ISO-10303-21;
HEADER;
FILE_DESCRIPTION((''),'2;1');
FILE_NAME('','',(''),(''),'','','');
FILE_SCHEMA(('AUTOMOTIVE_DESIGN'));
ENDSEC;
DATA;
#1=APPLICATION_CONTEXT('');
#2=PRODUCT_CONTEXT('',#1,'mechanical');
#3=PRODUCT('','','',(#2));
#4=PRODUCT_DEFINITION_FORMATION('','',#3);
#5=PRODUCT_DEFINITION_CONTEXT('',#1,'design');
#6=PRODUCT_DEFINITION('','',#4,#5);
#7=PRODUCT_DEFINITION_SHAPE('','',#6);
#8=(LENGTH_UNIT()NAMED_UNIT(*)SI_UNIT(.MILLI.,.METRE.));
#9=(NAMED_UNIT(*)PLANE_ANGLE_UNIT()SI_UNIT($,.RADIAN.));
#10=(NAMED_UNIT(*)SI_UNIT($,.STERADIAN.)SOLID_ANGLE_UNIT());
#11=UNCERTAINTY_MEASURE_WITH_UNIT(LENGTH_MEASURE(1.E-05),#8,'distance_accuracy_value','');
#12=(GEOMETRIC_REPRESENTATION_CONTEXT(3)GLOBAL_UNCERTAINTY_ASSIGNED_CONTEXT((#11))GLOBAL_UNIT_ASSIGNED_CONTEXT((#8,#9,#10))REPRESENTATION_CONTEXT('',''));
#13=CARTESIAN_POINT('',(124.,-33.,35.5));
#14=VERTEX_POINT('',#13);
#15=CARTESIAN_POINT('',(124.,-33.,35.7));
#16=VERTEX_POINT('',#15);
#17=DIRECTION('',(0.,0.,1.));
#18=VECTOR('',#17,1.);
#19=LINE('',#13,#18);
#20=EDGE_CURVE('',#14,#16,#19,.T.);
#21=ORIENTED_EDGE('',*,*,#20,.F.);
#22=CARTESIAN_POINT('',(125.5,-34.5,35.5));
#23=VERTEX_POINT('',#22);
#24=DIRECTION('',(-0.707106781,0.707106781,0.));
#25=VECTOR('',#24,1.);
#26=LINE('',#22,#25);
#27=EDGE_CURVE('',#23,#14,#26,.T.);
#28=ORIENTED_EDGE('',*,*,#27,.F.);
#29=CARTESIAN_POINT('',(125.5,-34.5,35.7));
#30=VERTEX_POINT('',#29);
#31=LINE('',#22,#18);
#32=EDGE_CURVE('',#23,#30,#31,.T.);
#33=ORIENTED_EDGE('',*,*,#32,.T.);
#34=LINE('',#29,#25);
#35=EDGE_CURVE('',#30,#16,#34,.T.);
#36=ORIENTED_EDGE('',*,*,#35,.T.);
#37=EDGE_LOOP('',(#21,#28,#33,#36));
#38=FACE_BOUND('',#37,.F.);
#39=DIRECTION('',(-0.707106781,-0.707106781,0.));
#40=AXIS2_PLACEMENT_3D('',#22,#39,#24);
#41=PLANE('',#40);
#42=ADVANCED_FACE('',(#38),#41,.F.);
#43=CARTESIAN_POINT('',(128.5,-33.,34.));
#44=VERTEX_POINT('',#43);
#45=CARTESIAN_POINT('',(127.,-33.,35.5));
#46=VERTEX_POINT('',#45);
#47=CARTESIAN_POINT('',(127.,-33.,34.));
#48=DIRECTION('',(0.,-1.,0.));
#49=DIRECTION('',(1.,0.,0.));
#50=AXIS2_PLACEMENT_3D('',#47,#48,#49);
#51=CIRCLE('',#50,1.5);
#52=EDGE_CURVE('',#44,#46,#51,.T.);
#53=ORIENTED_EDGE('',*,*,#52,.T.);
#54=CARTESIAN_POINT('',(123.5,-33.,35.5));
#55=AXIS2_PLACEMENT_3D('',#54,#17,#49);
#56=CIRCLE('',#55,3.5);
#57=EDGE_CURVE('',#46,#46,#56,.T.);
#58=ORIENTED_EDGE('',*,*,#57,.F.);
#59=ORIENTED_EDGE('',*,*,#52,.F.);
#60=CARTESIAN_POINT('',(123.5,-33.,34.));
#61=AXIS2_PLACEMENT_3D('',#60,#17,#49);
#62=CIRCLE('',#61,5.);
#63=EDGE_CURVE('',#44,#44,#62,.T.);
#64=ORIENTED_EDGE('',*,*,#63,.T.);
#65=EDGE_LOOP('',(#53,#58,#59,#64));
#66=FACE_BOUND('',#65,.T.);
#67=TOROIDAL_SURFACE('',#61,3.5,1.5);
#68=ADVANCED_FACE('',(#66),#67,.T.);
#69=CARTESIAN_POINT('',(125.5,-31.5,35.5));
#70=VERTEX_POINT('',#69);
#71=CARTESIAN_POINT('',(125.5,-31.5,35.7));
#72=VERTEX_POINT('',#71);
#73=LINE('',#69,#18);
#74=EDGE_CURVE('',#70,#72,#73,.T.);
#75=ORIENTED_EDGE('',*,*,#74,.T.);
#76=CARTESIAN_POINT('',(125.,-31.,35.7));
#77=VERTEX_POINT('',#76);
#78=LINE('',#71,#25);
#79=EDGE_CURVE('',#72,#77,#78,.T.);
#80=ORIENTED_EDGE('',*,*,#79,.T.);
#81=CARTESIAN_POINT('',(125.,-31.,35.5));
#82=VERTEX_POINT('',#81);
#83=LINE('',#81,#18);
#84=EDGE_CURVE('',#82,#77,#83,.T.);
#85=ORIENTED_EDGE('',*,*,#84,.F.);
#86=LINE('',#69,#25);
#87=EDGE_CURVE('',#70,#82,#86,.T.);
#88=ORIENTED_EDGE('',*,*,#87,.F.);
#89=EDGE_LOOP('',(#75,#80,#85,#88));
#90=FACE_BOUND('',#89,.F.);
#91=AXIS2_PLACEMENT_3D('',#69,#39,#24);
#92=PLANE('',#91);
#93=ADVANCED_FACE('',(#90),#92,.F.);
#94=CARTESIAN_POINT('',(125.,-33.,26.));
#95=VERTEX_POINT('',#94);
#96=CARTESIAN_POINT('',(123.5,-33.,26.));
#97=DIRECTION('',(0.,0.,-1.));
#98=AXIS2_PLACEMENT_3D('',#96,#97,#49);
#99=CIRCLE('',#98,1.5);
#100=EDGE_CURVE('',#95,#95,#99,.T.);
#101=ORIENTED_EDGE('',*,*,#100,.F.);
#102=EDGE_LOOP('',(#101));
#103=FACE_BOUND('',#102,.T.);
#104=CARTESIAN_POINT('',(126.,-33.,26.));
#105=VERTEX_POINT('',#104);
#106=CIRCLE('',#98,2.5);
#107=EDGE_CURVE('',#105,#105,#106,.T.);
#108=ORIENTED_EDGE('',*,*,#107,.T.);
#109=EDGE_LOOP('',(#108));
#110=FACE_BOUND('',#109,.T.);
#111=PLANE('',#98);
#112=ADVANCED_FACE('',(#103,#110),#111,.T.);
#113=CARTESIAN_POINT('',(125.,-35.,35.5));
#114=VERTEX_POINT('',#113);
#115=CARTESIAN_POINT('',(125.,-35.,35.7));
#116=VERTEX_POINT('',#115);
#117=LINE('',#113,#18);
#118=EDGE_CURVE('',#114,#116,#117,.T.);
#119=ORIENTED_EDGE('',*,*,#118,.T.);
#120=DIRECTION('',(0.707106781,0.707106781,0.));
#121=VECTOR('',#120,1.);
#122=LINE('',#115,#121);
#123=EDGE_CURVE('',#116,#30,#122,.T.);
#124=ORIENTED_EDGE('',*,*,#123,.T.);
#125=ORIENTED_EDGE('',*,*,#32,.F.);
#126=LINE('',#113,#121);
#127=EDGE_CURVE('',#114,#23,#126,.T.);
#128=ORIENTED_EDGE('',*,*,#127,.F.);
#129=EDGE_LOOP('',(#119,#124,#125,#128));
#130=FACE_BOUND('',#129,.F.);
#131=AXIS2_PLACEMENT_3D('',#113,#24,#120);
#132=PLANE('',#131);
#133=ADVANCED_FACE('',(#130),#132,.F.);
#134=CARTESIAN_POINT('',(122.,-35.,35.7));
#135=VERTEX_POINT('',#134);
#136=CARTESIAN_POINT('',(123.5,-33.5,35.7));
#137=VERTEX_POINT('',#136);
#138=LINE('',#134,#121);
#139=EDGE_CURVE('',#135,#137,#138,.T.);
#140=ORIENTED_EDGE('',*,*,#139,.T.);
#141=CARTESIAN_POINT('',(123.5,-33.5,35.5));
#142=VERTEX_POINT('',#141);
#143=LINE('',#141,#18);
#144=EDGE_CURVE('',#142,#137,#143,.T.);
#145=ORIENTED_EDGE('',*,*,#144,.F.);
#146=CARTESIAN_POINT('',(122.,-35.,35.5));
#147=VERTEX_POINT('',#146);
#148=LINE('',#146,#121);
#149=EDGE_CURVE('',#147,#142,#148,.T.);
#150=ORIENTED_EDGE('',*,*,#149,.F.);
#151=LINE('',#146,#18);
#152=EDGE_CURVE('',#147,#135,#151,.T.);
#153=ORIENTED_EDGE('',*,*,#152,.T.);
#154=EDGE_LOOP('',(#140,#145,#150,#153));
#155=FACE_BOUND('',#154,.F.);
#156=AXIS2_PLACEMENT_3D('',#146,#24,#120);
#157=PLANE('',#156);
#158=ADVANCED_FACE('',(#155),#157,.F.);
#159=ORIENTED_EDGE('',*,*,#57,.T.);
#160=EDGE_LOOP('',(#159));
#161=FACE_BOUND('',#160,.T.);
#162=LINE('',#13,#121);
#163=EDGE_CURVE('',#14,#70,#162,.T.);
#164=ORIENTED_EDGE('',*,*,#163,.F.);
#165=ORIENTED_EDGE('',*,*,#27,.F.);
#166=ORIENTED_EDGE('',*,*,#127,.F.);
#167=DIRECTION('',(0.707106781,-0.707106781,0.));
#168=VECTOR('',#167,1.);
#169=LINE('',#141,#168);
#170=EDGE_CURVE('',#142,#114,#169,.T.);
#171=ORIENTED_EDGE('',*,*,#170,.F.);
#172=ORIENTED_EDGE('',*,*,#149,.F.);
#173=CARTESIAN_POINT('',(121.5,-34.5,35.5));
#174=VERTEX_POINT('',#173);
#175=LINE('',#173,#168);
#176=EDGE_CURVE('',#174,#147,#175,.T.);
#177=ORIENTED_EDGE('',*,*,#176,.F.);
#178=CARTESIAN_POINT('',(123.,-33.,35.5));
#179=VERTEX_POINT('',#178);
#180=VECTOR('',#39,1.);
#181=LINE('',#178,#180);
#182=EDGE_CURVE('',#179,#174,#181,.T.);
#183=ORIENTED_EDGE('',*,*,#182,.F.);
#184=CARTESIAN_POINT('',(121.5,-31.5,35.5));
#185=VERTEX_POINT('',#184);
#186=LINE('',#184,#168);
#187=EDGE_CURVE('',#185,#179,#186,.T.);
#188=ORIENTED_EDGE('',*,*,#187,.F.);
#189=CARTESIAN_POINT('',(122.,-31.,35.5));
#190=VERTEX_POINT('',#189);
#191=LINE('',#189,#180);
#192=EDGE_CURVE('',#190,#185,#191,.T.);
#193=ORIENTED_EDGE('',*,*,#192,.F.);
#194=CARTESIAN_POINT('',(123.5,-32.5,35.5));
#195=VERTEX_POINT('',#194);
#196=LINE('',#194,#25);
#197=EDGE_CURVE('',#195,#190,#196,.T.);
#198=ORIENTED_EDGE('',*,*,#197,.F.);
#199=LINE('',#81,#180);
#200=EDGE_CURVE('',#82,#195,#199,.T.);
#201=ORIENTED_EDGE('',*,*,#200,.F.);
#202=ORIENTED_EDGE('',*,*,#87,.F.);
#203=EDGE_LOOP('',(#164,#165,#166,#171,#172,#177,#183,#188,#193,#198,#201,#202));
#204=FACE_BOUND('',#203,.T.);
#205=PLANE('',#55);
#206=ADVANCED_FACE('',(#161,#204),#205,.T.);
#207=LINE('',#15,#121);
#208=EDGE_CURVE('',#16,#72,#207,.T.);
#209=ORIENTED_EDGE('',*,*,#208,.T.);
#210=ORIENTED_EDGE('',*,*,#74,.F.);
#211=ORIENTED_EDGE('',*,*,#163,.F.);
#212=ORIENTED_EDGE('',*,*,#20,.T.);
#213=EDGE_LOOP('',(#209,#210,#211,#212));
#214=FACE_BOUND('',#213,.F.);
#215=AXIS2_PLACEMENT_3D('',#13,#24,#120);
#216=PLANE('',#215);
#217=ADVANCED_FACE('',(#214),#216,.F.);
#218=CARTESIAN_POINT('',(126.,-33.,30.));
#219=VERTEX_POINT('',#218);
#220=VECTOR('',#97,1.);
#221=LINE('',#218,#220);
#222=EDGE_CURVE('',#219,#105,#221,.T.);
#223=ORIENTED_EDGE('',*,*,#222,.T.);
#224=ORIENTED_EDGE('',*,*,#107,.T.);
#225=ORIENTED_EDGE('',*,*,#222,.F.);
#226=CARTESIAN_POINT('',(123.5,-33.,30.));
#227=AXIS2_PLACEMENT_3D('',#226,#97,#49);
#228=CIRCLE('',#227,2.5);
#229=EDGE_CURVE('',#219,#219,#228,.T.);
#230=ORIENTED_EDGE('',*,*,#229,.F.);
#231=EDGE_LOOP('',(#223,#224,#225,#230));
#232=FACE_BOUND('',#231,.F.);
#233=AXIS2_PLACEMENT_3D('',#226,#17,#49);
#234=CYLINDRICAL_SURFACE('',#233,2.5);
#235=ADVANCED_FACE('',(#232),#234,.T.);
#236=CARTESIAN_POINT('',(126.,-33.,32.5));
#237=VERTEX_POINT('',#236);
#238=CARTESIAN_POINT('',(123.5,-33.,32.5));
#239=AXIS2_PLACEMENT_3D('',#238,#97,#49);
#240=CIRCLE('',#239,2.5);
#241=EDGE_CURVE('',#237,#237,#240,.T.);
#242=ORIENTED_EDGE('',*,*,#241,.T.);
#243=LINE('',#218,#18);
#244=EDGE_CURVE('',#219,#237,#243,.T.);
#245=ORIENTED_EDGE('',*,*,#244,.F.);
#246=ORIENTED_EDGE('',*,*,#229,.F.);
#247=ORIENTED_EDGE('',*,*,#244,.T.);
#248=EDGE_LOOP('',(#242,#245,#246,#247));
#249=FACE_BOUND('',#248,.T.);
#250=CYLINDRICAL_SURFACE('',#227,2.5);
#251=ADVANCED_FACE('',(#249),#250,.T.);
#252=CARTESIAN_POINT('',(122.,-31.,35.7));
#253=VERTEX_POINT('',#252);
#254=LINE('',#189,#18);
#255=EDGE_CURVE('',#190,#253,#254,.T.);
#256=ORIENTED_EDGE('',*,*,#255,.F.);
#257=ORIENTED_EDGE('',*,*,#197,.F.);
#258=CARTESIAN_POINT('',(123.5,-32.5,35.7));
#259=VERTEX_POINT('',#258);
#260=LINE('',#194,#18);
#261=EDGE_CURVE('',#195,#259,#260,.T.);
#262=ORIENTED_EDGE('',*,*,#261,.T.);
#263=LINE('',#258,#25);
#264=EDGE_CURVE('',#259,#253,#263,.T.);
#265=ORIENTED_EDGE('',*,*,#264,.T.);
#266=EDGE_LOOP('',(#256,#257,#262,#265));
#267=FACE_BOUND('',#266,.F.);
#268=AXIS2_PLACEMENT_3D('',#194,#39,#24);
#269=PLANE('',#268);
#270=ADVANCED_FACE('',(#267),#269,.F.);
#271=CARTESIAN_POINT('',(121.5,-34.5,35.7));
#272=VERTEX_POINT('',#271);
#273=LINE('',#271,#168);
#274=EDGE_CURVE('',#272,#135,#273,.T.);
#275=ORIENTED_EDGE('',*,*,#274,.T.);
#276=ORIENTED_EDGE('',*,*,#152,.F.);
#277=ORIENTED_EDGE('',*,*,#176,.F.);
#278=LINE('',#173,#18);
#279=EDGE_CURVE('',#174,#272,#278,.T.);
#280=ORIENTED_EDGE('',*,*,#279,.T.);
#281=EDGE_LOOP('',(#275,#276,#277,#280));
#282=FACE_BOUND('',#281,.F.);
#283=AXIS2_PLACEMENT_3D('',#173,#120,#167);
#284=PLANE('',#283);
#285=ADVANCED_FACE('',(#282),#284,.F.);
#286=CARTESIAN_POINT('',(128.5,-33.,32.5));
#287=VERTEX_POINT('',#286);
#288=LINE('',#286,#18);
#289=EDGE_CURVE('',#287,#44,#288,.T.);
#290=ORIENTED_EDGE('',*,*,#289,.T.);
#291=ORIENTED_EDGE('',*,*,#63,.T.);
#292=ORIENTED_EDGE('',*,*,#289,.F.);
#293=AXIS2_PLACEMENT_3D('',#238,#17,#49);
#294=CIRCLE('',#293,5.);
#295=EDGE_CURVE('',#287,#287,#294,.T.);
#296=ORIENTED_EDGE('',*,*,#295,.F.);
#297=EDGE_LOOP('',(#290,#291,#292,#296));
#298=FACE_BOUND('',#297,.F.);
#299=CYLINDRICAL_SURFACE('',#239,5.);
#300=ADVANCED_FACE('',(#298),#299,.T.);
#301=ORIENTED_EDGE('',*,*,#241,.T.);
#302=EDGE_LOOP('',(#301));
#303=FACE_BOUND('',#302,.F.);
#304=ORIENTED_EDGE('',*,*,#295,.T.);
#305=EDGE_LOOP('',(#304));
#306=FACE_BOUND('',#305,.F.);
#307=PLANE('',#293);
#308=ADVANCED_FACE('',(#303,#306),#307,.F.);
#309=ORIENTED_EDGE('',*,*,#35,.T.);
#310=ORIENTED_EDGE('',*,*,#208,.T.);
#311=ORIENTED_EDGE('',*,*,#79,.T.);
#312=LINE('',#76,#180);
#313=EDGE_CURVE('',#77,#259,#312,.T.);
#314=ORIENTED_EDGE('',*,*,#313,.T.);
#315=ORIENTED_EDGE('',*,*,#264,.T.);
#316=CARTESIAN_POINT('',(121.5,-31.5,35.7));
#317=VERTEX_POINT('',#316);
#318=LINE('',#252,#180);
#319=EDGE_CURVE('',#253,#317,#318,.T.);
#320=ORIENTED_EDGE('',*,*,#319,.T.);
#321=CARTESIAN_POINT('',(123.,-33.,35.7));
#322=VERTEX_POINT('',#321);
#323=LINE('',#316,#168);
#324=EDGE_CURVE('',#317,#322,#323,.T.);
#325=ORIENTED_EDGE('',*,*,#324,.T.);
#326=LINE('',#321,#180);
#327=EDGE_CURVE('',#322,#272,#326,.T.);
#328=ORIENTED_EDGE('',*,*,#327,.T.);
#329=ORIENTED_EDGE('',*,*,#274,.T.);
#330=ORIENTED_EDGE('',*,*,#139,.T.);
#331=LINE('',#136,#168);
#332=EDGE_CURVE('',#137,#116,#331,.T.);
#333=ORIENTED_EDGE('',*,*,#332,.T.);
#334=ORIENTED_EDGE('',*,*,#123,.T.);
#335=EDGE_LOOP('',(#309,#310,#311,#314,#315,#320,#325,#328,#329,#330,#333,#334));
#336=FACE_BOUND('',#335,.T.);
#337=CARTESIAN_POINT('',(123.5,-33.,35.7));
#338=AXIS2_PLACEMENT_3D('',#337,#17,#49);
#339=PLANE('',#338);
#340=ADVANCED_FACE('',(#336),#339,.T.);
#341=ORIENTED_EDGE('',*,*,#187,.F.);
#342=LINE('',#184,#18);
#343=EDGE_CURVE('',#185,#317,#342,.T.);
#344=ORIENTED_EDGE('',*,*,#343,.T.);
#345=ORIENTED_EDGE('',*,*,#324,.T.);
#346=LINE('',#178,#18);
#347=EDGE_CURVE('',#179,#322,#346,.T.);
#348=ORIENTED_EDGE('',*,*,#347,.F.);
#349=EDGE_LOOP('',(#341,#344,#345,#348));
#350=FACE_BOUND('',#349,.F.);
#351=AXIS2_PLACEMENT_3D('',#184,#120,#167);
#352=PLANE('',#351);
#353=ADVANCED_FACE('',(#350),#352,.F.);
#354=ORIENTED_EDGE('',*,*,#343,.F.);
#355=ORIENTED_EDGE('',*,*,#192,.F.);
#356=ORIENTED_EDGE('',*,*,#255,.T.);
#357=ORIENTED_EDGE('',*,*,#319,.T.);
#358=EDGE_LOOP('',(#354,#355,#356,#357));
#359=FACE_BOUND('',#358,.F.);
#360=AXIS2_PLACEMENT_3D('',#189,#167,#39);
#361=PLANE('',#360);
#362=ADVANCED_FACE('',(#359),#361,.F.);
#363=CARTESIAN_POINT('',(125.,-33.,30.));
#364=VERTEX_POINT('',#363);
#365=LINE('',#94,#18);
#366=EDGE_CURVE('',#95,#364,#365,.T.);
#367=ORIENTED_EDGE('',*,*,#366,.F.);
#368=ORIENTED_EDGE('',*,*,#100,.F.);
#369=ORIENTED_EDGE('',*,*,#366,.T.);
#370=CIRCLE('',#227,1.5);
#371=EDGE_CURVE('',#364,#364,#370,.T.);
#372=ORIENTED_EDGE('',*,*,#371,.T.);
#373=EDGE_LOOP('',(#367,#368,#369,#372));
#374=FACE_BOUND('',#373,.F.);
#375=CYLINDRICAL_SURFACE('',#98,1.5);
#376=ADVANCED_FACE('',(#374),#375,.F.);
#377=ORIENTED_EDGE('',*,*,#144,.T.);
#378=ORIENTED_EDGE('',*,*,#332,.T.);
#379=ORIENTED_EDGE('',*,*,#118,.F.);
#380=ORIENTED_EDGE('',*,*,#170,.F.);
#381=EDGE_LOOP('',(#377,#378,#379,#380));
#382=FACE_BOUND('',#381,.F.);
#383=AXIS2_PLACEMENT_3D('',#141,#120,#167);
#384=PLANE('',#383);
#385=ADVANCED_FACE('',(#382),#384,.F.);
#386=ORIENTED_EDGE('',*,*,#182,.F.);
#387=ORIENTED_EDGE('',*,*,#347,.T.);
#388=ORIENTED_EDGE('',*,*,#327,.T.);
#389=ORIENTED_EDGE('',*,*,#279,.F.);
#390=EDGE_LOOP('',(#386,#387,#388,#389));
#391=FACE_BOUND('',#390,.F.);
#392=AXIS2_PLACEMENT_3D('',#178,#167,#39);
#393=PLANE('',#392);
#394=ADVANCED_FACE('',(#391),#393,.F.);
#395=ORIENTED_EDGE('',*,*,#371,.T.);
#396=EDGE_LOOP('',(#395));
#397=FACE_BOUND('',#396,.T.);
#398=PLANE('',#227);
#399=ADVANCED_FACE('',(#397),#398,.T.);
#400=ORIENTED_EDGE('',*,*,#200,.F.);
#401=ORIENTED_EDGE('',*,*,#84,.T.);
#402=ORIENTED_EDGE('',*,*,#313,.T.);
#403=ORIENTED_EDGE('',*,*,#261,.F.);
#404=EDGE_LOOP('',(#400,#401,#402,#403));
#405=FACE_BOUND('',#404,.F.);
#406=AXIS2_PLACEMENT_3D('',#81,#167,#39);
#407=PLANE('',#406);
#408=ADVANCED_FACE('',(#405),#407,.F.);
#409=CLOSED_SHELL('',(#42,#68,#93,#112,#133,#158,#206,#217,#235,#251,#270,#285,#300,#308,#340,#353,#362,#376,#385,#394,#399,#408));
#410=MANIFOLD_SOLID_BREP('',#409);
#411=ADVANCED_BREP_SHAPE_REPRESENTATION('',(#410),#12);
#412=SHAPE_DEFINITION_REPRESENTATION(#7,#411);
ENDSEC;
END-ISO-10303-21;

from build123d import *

# Parameters (mm, degrees)
SKETCH046_R     = 2.5
PAD023_DEPTH    = 2.5
SKETCH047_R     = 5
PAD024_DEPTH    = 3
FILLET003_R     = 1.5
SKETCH049_R     = 2.5
PAD025_DEPTH    = 4
SKETCH050_R     = 1.5
POCKET026_DEPTH = 4
PAD059_DEPTH    = 0.2


with BuildPart() as part:
    # Sketch046 → Pad023 (new body)
    with BuildSketch(Plane(origin=(0, 0, 30), x_dir=(1, 0, 0), z_dir=(0, 0, -1))):
        with Locations((101, 55)):
            Circle(SKETCH046_R)
    extrude(amount=-PAD023_DEPTH)

    # Sketch047 (on Face3 of Pad023) → Pad024 (join)
    with BuildSketch(Plane.XY.offset(32.5)):
        with Locations((101, -55)):
            Circle(SKETCH047_R)
    extrude(amount=PAD024_DEPTH)

    # Fillet003
    fillet003_edges = [part.edges().sort_by_distance(p)[0] for p in [
        (96, -55, 35.5),
    ]]
    fillet(fillet003_edges, radius=FILLET003_R)

    # Sketch049 → Pad025 (join)
    with BuildSketch(Plane(origin=(0, 0, 30), x_dir=(1, 0, 0), z_dir=(0, 0, -1))):
        with Locations((101, 55)):
            Circle(SKETCH049_R)
    extrude(amount=PAD025_DEPTH)

    # Sketch050 (on Face17 of Pad025) → Pocket026 (cut)
    with BuildSketch(Plane(origin=(0, 0, 26), x_dir=(1, 0, 0), z_dir=(0, 0, -1))):
        with Locations((101, 55)):
            Circle(SKETCH050_R)
    extrude(amount=-POCKET026_DEPTH, mode=Mode.SUBTRACT)


with BuildPart() as part_1:
    # Body002 placement: moved
    add(part.part.moved(Location((75, 0, 0))))

    # Sketch093 (on Face4 of Clone007) → Pad059 (new body)
    with BuildSketch(Plane(origin=(75, 0, 35.5), x_dir=(1, 0, 0), z_dir=(0, 0, 1))):
        Polygon((99.5, -53), (99, -53.5), (100.5, -55), (99, -56.5), (99.5, -57), (101, -55.5), (102.5, -57), (103, -56.5), (101.5, -55), (103, -53.5), (102.5, -53), (101, -54.5), align=None)
    extrude(amount=PAD059_DEPTH)


with BuildPart() as part_2:
    # Body016 placement: moved
    add(part_1.part.moved(Location((-52.5, 22, 0))))


solid = part_2.part
